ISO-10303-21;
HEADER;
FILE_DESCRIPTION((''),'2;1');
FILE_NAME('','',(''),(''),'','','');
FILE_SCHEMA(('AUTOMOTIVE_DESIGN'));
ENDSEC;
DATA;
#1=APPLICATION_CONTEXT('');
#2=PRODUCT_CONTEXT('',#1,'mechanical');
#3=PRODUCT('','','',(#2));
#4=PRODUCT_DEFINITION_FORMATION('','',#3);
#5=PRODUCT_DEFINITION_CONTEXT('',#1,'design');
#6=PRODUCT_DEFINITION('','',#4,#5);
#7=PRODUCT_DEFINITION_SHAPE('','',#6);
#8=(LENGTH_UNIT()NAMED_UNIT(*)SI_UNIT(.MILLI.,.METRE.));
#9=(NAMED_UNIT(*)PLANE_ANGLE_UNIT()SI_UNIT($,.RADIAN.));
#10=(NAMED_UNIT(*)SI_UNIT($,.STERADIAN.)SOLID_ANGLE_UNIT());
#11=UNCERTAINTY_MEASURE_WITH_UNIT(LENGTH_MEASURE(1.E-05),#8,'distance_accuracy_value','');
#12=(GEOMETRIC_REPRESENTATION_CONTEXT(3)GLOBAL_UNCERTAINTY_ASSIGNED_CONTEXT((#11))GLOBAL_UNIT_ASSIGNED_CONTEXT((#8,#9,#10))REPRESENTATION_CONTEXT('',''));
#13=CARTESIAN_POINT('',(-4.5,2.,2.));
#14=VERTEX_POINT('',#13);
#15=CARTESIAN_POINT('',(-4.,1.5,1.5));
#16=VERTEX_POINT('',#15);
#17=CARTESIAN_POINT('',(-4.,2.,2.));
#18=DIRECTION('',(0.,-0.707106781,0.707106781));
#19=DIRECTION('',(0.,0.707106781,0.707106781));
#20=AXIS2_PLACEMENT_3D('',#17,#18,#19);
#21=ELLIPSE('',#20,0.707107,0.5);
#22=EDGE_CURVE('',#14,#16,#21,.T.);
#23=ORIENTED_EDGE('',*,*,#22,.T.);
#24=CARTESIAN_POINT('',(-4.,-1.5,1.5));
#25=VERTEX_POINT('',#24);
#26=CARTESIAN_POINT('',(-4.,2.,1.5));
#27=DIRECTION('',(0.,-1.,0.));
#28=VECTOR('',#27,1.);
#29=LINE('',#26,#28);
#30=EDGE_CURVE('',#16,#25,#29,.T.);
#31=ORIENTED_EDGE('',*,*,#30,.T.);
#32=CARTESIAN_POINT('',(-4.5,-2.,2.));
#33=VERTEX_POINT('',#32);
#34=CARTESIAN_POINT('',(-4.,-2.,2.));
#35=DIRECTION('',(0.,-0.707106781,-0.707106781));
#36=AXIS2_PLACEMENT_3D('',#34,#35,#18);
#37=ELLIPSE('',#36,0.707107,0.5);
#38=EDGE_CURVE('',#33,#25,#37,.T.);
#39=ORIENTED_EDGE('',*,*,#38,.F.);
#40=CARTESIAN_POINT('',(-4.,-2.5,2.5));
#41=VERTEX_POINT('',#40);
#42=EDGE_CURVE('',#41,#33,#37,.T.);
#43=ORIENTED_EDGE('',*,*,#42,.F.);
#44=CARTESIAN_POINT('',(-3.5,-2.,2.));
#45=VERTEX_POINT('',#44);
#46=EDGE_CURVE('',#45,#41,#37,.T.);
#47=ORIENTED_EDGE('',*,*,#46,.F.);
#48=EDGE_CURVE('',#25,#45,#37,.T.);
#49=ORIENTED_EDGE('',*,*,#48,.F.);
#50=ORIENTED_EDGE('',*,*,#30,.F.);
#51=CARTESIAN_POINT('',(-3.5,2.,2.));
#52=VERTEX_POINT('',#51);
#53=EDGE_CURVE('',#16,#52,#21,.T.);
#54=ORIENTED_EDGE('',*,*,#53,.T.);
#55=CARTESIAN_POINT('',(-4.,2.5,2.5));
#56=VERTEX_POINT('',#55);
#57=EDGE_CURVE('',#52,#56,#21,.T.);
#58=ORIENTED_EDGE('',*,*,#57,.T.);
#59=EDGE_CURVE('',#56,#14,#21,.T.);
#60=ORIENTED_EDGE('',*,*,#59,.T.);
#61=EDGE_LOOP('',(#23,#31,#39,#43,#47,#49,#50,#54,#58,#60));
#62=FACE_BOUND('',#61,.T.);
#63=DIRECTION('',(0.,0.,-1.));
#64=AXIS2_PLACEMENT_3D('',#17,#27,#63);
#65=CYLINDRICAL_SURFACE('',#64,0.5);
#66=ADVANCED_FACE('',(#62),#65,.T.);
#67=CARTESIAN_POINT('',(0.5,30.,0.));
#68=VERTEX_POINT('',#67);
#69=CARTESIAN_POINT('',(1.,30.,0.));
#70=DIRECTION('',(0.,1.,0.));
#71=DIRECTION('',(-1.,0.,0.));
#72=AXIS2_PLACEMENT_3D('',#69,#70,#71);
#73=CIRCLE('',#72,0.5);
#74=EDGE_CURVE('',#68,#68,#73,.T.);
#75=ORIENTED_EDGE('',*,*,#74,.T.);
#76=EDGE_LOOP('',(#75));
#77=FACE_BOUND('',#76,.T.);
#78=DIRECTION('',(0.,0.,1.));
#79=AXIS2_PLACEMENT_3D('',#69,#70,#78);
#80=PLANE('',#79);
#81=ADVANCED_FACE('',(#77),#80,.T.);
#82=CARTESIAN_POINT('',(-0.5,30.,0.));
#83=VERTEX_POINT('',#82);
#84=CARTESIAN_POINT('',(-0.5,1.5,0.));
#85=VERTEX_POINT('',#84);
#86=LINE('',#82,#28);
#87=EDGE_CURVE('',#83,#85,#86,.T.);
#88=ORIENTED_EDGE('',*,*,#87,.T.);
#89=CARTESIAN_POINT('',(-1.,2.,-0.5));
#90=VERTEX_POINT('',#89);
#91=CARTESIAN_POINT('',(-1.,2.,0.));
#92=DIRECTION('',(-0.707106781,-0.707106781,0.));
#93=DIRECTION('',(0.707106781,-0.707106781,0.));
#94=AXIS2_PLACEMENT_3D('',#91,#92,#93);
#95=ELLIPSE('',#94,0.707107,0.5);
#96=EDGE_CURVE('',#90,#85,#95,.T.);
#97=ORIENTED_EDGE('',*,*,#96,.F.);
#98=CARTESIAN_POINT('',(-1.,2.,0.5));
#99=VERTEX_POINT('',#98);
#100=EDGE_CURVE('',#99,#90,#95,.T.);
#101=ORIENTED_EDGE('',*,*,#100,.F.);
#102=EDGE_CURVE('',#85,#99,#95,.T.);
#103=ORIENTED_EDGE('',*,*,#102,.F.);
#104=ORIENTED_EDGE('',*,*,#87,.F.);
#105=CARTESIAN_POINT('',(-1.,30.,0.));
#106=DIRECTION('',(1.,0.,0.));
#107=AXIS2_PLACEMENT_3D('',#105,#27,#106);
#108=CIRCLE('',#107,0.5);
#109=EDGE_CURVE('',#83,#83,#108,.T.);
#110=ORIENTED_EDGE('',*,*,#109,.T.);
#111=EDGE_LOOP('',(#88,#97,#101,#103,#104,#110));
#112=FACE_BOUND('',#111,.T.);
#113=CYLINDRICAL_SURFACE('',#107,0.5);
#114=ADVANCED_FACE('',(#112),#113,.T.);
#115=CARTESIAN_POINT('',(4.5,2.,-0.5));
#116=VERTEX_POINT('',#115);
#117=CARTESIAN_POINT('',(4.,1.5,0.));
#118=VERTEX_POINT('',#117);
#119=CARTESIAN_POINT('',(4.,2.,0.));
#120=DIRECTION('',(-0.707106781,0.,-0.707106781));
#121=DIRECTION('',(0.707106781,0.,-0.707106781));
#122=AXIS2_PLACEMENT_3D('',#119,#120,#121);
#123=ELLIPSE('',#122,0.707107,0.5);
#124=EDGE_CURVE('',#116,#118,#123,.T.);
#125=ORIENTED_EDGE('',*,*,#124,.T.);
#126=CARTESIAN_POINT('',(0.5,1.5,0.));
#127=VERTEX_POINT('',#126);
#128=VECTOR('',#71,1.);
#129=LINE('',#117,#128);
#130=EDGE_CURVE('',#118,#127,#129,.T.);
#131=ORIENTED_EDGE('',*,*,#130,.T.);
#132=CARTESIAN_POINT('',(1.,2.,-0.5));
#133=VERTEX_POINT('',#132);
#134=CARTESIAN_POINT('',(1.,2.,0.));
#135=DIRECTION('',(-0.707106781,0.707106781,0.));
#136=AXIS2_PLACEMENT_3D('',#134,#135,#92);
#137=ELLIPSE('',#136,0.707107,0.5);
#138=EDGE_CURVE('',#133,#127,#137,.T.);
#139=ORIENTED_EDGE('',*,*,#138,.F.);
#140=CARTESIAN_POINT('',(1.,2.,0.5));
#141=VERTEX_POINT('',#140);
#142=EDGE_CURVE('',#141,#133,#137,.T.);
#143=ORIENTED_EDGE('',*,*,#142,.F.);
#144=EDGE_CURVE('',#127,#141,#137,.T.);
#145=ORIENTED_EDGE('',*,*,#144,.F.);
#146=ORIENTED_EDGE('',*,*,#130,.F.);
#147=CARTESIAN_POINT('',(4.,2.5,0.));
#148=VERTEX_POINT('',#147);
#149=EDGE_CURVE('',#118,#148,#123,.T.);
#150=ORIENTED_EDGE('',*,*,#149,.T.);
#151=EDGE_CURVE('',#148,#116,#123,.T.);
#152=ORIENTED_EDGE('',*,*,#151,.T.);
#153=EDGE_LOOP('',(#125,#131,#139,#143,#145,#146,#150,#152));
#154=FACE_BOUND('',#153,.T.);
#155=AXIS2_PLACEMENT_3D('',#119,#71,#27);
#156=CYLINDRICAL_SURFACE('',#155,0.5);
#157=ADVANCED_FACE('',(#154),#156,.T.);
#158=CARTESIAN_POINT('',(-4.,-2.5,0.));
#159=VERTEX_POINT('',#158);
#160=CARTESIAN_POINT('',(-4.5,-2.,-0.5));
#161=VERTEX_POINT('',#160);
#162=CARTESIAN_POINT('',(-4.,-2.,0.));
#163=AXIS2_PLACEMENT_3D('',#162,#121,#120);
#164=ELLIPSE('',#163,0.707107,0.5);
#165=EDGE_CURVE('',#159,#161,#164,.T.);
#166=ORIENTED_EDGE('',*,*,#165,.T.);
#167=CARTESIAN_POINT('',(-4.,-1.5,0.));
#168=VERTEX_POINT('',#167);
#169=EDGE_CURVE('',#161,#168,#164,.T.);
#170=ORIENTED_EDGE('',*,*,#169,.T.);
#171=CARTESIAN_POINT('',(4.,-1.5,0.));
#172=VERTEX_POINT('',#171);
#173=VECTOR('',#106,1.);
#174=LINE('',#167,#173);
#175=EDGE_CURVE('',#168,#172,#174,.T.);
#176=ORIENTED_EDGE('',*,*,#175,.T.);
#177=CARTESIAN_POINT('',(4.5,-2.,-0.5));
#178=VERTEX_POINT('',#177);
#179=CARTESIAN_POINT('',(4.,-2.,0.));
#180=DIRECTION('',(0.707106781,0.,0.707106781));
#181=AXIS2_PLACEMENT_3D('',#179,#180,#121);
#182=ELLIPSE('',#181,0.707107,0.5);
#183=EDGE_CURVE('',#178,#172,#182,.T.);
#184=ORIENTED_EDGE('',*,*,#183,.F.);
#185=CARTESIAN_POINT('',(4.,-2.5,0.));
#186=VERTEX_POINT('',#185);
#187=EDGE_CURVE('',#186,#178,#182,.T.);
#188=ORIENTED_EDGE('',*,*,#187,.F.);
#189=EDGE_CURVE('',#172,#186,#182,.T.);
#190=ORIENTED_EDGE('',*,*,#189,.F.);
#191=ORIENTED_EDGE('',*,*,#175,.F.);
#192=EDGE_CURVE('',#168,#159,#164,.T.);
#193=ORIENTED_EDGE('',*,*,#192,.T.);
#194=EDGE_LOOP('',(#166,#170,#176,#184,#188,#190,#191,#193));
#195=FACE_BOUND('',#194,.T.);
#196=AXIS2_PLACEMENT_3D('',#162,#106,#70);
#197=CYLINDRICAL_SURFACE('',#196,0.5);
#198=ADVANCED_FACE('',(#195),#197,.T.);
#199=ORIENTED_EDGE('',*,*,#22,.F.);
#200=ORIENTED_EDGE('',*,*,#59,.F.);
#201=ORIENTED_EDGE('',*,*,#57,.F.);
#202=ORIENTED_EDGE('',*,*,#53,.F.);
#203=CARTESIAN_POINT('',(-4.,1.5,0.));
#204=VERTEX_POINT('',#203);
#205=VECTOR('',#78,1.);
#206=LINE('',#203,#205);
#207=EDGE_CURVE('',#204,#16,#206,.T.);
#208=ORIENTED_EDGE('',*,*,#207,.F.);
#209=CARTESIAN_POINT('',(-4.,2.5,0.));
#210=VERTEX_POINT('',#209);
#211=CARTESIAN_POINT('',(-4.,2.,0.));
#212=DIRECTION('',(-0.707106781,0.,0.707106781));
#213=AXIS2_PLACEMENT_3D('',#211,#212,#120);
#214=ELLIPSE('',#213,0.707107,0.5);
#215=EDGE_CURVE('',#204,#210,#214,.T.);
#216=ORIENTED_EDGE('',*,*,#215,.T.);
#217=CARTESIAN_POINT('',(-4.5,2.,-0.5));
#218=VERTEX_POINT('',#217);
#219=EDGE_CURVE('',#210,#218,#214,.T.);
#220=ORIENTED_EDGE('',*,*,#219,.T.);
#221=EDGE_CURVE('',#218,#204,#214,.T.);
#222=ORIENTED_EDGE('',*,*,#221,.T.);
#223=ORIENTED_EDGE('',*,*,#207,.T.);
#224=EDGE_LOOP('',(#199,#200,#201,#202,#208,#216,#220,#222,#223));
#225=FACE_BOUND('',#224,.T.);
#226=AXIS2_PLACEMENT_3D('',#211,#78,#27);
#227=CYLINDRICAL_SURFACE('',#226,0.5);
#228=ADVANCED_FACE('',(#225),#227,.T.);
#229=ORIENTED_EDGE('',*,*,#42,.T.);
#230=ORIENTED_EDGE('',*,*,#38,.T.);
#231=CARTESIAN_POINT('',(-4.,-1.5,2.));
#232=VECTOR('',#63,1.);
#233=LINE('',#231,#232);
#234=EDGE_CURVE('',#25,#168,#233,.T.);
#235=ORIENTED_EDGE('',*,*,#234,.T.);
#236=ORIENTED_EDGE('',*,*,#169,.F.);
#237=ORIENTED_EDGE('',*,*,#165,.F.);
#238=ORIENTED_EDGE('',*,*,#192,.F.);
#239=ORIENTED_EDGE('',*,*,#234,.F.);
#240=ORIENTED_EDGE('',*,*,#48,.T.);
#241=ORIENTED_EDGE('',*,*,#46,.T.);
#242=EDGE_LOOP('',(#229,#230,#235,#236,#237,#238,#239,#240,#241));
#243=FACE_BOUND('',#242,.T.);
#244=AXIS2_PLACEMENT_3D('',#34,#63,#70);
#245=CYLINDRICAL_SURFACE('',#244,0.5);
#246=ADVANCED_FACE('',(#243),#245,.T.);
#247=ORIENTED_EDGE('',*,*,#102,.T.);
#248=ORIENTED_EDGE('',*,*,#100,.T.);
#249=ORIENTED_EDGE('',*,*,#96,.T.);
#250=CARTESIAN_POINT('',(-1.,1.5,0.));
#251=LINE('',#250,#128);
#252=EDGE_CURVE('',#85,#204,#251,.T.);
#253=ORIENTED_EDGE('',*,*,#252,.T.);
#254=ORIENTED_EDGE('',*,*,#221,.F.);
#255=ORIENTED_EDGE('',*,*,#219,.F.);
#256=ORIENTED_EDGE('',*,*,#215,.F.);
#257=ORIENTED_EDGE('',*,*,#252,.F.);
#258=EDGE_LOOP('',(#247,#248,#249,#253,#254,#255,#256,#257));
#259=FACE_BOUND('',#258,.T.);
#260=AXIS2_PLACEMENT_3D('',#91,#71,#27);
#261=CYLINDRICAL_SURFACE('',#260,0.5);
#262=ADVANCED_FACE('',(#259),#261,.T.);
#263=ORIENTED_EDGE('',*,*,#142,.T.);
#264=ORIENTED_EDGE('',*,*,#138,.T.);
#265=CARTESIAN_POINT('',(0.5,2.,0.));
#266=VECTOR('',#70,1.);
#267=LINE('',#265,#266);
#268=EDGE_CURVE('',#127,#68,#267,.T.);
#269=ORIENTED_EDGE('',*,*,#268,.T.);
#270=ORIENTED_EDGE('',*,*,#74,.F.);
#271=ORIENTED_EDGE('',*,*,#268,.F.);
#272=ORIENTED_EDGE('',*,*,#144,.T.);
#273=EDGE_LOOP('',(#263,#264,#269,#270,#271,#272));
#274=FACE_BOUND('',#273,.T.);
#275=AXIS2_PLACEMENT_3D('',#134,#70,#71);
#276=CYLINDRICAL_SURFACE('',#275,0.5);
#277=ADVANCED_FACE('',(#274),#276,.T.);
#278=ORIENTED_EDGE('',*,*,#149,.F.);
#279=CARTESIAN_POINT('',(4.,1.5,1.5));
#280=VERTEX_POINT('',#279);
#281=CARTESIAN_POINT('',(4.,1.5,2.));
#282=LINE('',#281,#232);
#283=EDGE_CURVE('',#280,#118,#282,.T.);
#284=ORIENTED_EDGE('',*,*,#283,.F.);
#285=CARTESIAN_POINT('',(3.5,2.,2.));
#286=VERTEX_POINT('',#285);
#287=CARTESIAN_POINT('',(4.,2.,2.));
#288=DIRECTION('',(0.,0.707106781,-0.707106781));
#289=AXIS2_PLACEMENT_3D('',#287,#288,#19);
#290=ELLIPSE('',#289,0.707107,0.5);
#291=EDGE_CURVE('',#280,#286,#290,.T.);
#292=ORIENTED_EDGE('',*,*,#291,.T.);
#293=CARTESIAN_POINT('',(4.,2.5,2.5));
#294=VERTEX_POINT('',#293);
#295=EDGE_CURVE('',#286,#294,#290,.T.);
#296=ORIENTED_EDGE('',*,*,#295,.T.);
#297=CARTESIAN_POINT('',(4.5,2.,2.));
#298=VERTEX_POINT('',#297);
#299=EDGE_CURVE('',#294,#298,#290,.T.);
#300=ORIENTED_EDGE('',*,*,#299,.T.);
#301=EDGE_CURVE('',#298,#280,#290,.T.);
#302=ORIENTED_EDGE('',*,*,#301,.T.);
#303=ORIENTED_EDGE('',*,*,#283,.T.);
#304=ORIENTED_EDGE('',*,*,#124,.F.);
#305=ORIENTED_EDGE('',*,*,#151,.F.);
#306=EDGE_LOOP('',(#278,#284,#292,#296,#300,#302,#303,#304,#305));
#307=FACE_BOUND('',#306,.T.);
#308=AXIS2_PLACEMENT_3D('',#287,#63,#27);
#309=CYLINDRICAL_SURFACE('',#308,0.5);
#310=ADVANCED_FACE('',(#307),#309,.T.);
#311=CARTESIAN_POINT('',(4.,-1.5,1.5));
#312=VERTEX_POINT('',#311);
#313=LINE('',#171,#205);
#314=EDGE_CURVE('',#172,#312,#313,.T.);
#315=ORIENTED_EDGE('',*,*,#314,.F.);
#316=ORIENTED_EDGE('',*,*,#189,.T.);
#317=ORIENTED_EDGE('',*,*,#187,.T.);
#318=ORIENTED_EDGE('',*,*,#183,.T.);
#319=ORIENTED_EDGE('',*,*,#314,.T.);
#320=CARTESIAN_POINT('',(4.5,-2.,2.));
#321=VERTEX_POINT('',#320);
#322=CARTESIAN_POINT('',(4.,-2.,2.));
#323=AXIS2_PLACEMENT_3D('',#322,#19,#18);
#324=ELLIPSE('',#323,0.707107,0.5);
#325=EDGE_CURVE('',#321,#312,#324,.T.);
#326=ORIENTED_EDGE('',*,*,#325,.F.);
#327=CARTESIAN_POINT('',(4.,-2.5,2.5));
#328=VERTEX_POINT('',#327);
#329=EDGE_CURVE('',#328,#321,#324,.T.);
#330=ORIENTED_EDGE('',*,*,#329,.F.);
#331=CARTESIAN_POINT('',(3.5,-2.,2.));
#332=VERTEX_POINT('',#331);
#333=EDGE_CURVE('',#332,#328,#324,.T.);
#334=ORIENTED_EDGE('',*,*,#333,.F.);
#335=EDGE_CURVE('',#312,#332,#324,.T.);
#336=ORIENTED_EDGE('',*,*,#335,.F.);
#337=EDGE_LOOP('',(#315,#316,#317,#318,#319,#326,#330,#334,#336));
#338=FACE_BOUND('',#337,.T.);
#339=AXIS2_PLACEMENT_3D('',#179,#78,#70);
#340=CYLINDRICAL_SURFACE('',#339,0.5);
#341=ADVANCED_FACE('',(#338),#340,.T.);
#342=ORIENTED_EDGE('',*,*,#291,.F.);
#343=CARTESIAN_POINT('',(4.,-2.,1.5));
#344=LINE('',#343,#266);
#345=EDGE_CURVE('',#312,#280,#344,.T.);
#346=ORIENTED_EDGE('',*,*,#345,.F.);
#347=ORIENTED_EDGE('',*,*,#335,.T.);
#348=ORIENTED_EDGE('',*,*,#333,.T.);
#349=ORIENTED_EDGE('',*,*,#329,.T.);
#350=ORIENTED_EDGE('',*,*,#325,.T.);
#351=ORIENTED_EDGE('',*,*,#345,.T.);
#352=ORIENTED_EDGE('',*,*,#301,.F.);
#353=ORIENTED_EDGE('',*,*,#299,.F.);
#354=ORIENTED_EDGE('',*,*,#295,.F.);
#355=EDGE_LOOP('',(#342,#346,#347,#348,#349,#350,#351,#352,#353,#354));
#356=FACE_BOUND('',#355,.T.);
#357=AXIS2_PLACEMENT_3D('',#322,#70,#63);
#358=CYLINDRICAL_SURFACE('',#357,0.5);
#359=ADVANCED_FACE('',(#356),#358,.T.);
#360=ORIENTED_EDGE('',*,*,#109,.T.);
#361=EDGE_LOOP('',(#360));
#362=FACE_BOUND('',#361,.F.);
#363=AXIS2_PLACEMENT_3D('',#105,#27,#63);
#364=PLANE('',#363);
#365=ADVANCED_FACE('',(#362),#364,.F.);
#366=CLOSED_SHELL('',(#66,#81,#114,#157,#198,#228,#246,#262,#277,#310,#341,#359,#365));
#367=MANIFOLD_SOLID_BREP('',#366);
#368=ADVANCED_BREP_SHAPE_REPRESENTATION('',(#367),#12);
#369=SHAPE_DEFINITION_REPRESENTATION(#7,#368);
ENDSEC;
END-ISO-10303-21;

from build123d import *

# Parameters (mm, degrees)
F6_R = 0.5


with BuildPart() as f7:
    # F7: sweep along a path in F0, F4, F0, F2, F0
    with BuildLine(Plane.XY) as f7_path:
        Line((-1, 30), (-1, 2))
        Line((-1, 2), (-4, 2))
    with BuildLine(Plane.YZ.offset(-4)) as f7_path_2:
        Line((2, 0), (2, 2))
        Line((2, 2), (-2, 2))
        Line((-2, 2), (-2, 0))
    with BuildLine(Plane.XY) as f7_path_3:
        Line((-4, -2), (4, -2))
    with BuildLine(Plane.YZ.offset(4)) as f7_path_4:
        Line((-2, 0), (-2, 2))
        Line((-2, 2), (2, 2))
        Line((2, 2), (2, 0))
    with BuildLine(Plane.XY) as f7_path_5:
        Line((4, 2), (1, 2))
        Line((1, 2), (1, 30))
    # F6 (on plane+point) → F7 (sweep)
    with BuildSketch(Plane.XZ.offset(-30)):
        with Locations((-1, 0)):
            Circle(F6_R)
    sweep(path=f7_path.line + f7_path_2.line + f7_path_3.line + f7_path_4.line + f7_path_5.line, transition=Transition.RIGHT)


solid = f7.part
